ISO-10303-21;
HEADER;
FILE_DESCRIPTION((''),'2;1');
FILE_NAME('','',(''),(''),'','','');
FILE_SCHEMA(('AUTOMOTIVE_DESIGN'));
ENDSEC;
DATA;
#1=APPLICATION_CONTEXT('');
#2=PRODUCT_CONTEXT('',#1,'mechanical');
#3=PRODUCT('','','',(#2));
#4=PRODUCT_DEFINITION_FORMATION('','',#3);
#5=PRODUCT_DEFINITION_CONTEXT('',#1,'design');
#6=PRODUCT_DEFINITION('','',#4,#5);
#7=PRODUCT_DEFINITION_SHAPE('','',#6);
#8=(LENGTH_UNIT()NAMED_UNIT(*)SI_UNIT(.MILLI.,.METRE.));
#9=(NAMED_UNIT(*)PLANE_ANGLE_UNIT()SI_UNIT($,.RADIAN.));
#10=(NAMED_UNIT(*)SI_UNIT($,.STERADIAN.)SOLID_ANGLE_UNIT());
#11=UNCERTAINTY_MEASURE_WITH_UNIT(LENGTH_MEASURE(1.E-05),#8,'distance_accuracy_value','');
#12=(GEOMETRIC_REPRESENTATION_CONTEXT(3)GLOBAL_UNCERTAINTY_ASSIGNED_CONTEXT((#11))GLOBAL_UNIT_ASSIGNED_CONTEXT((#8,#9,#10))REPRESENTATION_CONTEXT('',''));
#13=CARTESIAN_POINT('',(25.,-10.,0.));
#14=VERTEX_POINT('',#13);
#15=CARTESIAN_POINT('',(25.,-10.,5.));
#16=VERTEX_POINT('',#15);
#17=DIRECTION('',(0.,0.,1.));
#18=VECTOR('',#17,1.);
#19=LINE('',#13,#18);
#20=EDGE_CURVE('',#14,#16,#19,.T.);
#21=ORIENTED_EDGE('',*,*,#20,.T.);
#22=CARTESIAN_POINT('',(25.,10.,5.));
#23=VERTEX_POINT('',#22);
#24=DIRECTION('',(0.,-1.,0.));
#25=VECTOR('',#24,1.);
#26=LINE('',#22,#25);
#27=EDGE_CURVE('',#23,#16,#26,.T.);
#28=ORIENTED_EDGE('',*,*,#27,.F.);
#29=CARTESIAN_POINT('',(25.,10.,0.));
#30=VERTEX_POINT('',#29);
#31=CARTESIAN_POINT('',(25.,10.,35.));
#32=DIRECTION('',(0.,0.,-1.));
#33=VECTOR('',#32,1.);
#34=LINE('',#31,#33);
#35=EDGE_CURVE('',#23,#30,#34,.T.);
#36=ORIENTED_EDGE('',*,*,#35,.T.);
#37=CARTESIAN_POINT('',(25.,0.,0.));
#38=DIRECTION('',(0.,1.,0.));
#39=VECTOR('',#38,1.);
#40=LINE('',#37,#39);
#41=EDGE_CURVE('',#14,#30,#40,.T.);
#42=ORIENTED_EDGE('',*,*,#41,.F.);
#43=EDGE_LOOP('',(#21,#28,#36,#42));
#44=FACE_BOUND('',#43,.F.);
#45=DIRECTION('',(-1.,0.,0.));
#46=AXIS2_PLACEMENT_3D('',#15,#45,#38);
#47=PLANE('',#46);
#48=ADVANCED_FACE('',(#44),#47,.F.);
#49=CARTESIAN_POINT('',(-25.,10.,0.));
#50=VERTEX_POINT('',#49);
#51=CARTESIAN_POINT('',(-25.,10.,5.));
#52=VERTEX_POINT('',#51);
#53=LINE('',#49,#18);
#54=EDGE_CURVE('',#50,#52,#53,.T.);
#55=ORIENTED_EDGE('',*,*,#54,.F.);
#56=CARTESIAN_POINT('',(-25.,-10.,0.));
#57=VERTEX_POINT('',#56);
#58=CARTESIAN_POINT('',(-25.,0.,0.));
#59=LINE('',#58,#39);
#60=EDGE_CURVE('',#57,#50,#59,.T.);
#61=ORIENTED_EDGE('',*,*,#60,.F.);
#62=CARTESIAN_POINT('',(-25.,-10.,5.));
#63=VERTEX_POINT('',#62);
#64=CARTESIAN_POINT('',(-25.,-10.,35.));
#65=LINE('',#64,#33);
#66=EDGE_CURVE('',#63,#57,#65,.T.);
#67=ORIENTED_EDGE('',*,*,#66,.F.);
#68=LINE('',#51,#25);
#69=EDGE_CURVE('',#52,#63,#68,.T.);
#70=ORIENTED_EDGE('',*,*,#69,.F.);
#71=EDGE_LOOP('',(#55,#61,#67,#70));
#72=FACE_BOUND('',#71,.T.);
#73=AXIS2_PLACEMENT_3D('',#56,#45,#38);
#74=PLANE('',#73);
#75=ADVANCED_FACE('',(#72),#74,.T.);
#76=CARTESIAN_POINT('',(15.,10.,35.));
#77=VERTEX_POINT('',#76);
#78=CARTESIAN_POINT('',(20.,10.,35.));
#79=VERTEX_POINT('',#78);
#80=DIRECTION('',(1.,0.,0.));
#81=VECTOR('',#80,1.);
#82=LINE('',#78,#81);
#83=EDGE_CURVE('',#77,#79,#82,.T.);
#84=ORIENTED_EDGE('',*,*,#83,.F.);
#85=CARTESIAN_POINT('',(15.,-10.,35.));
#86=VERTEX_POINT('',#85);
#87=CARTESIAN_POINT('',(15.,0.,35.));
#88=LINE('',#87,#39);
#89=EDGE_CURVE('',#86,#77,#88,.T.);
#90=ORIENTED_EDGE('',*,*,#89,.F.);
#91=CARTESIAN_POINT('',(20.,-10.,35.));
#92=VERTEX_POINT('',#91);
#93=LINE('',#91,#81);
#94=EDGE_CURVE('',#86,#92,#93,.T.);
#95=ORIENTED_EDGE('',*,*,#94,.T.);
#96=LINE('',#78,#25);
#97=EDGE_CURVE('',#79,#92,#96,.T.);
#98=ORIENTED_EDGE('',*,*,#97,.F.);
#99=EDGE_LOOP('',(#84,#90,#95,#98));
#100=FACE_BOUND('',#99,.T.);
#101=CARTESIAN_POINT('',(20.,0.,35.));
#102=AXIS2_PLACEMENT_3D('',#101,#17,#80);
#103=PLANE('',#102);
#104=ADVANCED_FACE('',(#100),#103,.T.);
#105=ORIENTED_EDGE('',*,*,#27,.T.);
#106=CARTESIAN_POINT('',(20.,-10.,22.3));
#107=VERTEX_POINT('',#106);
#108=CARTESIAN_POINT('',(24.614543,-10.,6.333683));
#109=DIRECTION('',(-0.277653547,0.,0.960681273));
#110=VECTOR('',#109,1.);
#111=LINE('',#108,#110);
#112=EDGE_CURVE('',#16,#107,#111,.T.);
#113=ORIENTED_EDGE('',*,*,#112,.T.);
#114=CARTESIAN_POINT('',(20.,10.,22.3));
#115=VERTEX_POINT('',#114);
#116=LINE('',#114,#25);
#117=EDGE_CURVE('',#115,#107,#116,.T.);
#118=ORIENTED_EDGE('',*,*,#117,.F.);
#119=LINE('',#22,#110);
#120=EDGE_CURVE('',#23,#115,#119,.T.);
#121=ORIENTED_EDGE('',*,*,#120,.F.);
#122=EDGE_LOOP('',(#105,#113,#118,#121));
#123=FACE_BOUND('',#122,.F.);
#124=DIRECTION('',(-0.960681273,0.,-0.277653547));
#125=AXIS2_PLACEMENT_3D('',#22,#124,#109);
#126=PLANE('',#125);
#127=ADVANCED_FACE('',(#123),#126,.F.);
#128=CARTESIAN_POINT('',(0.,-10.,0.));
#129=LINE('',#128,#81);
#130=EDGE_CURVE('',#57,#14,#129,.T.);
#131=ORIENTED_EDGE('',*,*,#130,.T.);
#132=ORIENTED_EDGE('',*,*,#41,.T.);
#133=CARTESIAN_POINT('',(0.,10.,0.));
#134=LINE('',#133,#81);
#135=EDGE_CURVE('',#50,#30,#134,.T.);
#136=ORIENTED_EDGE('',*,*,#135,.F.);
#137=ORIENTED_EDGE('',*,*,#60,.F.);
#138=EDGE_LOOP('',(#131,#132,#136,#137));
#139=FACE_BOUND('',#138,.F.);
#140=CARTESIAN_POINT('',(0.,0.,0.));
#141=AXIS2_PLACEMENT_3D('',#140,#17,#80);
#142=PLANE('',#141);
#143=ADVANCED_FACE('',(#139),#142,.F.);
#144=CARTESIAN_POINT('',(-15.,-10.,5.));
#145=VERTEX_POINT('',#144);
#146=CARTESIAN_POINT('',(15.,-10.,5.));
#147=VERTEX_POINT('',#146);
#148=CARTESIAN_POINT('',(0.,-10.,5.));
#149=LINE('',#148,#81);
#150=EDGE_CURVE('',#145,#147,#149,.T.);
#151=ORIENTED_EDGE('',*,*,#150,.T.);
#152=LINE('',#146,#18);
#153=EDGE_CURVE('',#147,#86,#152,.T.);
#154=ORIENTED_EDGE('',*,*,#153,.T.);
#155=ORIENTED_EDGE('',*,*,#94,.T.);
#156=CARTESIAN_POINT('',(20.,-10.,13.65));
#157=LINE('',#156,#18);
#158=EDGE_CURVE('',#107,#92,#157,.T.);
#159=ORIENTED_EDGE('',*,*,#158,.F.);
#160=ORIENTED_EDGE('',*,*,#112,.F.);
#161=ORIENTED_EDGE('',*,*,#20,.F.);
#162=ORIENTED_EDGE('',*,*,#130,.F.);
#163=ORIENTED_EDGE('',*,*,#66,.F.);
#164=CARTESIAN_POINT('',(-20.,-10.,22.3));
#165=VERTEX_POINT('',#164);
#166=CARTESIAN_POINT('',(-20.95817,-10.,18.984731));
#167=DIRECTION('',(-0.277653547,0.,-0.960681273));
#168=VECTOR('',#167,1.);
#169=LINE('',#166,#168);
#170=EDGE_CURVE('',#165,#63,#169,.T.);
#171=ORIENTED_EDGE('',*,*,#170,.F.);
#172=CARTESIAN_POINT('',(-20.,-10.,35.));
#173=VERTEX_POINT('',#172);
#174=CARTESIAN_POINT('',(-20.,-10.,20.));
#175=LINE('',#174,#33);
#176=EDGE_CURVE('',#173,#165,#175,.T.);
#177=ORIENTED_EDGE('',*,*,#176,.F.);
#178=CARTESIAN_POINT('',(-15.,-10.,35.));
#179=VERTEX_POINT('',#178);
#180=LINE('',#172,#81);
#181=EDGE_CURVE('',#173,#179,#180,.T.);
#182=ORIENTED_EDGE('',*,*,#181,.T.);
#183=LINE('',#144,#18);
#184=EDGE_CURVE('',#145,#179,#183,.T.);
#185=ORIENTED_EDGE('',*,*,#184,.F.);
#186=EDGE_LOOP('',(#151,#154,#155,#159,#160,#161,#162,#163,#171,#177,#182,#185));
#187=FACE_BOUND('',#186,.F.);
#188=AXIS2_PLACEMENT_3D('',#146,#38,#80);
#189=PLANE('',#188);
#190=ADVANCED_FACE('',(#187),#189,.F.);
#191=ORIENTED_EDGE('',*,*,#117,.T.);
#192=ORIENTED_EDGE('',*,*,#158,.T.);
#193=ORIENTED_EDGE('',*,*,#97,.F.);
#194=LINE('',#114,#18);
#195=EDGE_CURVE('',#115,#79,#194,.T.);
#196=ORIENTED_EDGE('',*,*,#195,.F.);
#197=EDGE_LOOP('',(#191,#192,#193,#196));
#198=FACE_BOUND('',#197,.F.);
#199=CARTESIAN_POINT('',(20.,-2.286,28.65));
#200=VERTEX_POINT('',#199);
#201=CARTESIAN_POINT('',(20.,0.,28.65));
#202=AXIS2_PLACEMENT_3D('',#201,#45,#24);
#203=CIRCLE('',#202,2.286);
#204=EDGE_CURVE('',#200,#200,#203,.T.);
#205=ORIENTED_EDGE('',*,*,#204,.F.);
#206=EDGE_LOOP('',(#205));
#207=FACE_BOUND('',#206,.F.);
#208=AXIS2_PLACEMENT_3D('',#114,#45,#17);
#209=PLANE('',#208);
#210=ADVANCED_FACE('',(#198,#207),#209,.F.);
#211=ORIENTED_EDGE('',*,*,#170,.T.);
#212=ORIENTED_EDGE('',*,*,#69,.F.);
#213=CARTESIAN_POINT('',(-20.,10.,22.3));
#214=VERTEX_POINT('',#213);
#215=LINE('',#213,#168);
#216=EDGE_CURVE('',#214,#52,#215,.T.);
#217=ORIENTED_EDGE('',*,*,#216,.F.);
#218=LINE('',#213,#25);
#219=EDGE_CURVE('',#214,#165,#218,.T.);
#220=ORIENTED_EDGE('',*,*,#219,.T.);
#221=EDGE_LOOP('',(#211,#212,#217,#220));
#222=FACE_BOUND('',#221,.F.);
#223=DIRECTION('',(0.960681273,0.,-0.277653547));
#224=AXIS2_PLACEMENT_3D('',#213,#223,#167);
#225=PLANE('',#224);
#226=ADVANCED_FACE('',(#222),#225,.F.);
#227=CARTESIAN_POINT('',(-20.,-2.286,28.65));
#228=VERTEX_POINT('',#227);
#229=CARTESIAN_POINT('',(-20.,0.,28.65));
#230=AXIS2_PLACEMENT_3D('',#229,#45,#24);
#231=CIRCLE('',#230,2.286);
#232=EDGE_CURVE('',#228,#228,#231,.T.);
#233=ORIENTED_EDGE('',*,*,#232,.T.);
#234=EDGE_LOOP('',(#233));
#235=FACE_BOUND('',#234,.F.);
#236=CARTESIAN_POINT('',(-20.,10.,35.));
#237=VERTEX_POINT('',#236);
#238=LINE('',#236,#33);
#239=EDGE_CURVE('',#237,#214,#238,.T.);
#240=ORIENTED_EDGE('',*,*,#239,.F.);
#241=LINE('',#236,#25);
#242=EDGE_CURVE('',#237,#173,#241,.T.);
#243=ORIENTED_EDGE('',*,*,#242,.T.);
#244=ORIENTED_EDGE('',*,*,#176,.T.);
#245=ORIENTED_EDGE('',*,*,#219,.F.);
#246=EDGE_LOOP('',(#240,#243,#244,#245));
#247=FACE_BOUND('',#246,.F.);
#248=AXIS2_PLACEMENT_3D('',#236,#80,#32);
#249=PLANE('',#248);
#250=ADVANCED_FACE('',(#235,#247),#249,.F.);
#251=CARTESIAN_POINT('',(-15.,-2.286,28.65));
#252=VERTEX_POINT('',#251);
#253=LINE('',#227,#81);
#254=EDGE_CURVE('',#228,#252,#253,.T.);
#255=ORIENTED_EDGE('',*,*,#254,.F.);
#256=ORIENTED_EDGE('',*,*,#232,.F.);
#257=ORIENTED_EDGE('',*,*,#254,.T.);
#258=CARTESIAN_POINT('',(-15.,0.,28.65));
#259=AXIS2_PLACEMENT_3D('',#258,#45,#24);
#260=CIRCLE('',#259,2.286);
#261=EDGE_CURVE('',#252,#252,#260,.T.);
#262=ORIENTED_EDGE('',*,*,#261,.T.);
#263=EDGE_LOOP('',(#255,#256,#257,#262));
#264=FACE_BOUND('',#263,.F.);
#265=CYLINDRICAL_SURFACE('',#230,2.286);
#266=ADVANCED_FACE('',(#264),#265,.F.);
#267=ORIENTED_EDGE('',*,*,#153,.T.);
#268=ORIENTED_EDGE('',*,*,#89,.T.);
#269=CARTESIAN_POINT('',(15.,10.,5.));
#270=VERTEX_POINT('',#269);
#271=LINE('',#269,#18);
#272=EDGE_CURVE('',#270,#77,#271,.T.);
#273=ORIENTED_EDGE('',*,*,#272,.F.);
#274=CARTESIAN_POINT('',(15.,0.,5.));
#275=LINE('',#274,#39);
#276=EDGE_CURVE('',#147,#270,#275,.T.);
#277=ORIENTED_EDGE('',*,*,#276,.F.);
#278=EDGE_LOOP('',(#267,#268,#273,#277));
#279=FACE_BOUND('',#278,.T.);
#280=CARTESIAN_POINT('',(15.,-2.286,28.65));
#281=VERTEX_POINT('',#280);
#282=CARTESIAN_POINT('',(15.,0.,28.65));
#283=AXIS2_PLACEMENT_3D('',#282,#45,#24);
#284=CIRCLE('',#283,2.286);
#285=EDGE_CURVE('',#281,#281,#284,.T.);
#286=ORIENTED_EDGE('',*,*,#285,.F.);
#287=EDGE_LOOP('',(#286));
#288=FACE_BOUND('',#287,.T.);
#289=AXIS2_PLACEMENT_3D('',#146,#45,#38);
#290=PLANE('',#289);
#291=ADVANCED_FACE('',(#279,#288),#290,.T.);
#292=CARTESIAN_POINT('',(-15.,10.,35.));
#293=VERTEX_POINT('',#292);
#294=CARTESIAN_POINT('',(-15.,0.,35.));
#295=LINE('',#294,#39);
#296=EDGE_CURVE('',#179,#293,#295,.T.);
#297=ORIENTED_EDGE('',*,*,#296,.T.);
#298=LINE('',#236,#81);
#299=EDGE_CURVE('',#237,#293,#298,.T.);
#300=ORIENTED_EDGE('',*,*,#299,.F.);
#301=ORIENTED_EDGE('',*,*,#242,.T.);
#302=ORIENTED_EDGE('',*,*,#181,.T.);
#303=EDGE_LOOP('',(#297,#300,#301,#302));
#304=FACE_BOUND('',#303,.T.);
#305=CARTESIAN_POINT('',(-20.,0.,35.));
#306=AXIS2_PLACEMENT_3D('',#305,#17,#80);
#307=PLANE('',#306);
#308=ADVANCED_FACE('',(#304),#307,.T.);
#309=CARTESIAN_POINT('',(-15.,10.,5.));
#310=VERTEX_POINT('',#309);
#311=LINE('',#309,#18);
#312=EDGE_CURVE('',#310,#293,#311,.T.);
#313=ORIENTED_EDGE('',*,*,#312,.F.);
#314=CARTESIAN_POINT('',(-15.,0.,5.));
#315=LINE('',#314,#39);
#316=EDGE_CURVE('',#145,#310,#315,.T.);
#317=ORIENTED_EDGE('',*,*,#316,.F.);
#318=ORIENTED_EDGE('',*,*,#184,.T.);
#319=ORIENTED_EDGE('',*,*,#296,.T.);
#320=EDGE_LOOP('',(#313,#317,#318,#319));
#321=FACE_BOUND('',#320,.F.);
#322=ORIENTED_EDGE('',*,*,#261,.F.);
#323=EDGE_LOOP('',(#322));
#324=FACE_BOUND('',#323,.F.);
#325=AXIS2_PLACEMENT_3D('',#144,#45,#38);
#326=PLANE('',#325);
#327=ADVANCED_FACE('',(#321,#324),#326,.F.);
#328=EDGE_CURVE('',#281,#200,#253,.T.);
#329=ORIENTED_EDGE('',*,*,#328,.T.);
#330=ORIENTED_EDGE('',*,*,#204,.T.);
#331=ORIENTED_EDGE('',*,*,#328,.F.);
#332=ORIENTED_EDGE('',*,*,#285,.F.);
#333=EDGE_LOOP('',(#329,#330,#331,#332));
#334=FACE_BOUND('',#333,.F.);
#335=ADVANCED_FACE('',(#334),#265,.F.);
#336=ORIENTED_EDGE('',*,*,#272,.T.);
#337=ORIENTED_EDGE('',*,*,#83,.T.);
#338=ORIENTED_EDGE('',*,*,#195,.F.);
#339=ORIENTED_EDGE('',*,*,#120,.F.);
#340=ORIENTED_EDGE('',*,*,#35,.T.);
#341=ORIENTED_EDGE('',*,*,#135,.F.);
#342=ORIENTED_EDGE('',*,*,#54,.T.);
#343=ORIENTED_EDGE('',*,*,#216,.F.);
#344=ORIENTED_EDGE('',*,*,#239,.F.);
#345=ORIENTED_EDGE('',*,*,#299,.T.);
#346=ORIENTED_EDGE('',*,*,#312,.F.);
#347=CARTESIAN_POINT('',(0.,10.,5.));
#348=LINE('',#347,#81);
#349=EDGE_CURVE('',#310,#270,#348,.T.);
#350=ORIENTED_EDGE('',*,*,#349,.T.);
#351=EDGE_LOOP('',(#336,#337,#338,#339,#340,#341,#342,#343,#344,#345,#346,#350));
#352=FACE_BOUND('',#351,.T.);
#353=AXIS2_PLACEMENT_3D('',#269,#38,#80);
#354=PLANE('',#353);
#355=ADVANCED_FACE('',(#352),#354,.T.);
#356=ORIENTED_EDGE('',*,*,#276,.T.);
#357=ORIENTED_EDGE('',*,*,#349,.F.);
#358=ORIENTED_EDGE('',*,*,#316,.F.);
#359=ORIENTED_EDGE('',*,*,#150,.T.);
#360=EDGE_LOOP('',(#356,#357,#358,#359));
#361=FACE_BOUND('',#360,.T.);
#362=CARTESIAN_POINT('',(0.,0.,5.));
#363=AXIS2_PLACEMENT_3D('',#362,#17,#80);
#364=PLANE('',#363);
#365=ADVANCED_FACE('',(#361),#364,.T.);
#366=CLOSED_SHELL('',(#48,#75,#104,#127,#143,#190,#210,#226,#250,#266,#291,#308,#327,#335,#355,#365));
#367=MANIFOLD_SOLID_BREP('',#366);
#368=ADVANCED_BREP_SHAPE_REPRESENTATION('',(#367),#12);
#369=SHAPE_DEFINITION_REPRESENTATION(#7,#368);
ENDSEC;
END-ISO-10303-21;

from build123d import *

# Parameters (mm, degrees)
F0_W     = 50
F0_H     = 20
F1_DEPTH = 5
F2_W     = 10
F2_H     = 20
F3_DEPTH = 30
F5_DEPTH = 20.001
F6_R     = 2.286
F7_DEPTH = 45.001


with BuildPart() as f1:
    # F0 (on Top) → F1 (new body)
    with BuildSketch(Plane.XY):
        Rectangle(F0_W, F0_H)
    extrude(amount=F1_DEPTH)

    # F2 (on face) → F3 (join)
    with BuildSketch(Plane.XY.offset(5)):
        with Locations((20, 0)):
            Rectangle(F2_W, F2_H)
        with Locations((-20, 0)):
            Rectangle(F2_W, F2_H)
    extrude(amount=F3_DEPTH)

    # F4 (on face) → F5 (cut, through all)
    with BuildSketch(Plane(origin=(0, 10, 0), x_dir=(-1, 0, 0), z_dir=(0, 1, 0))):
        Polygon((-25, 5), (-20, 22.3), (-20, 35), (-25, 35), align=None)
        Polygon((20, 35), (20, 22.3), (25, 5), (25, 35), align=None)
    extrude(amount=-F5_DEPTH, mode=Mode.SUBTRACT)

    # F6 (on face) → F7 (cut, through all)
    with BuildSketch(Plane(origin=(-20, 0, 0), x_dir=(0, -1, 0), z_dir=(-1, 0, 0))):
        with Locations((0, 28.65)):
            Circle(F6_R)
    extrude(amount=-F7_DEPTH, mode=Mode.SUBTRACT)


solid = f1.part
